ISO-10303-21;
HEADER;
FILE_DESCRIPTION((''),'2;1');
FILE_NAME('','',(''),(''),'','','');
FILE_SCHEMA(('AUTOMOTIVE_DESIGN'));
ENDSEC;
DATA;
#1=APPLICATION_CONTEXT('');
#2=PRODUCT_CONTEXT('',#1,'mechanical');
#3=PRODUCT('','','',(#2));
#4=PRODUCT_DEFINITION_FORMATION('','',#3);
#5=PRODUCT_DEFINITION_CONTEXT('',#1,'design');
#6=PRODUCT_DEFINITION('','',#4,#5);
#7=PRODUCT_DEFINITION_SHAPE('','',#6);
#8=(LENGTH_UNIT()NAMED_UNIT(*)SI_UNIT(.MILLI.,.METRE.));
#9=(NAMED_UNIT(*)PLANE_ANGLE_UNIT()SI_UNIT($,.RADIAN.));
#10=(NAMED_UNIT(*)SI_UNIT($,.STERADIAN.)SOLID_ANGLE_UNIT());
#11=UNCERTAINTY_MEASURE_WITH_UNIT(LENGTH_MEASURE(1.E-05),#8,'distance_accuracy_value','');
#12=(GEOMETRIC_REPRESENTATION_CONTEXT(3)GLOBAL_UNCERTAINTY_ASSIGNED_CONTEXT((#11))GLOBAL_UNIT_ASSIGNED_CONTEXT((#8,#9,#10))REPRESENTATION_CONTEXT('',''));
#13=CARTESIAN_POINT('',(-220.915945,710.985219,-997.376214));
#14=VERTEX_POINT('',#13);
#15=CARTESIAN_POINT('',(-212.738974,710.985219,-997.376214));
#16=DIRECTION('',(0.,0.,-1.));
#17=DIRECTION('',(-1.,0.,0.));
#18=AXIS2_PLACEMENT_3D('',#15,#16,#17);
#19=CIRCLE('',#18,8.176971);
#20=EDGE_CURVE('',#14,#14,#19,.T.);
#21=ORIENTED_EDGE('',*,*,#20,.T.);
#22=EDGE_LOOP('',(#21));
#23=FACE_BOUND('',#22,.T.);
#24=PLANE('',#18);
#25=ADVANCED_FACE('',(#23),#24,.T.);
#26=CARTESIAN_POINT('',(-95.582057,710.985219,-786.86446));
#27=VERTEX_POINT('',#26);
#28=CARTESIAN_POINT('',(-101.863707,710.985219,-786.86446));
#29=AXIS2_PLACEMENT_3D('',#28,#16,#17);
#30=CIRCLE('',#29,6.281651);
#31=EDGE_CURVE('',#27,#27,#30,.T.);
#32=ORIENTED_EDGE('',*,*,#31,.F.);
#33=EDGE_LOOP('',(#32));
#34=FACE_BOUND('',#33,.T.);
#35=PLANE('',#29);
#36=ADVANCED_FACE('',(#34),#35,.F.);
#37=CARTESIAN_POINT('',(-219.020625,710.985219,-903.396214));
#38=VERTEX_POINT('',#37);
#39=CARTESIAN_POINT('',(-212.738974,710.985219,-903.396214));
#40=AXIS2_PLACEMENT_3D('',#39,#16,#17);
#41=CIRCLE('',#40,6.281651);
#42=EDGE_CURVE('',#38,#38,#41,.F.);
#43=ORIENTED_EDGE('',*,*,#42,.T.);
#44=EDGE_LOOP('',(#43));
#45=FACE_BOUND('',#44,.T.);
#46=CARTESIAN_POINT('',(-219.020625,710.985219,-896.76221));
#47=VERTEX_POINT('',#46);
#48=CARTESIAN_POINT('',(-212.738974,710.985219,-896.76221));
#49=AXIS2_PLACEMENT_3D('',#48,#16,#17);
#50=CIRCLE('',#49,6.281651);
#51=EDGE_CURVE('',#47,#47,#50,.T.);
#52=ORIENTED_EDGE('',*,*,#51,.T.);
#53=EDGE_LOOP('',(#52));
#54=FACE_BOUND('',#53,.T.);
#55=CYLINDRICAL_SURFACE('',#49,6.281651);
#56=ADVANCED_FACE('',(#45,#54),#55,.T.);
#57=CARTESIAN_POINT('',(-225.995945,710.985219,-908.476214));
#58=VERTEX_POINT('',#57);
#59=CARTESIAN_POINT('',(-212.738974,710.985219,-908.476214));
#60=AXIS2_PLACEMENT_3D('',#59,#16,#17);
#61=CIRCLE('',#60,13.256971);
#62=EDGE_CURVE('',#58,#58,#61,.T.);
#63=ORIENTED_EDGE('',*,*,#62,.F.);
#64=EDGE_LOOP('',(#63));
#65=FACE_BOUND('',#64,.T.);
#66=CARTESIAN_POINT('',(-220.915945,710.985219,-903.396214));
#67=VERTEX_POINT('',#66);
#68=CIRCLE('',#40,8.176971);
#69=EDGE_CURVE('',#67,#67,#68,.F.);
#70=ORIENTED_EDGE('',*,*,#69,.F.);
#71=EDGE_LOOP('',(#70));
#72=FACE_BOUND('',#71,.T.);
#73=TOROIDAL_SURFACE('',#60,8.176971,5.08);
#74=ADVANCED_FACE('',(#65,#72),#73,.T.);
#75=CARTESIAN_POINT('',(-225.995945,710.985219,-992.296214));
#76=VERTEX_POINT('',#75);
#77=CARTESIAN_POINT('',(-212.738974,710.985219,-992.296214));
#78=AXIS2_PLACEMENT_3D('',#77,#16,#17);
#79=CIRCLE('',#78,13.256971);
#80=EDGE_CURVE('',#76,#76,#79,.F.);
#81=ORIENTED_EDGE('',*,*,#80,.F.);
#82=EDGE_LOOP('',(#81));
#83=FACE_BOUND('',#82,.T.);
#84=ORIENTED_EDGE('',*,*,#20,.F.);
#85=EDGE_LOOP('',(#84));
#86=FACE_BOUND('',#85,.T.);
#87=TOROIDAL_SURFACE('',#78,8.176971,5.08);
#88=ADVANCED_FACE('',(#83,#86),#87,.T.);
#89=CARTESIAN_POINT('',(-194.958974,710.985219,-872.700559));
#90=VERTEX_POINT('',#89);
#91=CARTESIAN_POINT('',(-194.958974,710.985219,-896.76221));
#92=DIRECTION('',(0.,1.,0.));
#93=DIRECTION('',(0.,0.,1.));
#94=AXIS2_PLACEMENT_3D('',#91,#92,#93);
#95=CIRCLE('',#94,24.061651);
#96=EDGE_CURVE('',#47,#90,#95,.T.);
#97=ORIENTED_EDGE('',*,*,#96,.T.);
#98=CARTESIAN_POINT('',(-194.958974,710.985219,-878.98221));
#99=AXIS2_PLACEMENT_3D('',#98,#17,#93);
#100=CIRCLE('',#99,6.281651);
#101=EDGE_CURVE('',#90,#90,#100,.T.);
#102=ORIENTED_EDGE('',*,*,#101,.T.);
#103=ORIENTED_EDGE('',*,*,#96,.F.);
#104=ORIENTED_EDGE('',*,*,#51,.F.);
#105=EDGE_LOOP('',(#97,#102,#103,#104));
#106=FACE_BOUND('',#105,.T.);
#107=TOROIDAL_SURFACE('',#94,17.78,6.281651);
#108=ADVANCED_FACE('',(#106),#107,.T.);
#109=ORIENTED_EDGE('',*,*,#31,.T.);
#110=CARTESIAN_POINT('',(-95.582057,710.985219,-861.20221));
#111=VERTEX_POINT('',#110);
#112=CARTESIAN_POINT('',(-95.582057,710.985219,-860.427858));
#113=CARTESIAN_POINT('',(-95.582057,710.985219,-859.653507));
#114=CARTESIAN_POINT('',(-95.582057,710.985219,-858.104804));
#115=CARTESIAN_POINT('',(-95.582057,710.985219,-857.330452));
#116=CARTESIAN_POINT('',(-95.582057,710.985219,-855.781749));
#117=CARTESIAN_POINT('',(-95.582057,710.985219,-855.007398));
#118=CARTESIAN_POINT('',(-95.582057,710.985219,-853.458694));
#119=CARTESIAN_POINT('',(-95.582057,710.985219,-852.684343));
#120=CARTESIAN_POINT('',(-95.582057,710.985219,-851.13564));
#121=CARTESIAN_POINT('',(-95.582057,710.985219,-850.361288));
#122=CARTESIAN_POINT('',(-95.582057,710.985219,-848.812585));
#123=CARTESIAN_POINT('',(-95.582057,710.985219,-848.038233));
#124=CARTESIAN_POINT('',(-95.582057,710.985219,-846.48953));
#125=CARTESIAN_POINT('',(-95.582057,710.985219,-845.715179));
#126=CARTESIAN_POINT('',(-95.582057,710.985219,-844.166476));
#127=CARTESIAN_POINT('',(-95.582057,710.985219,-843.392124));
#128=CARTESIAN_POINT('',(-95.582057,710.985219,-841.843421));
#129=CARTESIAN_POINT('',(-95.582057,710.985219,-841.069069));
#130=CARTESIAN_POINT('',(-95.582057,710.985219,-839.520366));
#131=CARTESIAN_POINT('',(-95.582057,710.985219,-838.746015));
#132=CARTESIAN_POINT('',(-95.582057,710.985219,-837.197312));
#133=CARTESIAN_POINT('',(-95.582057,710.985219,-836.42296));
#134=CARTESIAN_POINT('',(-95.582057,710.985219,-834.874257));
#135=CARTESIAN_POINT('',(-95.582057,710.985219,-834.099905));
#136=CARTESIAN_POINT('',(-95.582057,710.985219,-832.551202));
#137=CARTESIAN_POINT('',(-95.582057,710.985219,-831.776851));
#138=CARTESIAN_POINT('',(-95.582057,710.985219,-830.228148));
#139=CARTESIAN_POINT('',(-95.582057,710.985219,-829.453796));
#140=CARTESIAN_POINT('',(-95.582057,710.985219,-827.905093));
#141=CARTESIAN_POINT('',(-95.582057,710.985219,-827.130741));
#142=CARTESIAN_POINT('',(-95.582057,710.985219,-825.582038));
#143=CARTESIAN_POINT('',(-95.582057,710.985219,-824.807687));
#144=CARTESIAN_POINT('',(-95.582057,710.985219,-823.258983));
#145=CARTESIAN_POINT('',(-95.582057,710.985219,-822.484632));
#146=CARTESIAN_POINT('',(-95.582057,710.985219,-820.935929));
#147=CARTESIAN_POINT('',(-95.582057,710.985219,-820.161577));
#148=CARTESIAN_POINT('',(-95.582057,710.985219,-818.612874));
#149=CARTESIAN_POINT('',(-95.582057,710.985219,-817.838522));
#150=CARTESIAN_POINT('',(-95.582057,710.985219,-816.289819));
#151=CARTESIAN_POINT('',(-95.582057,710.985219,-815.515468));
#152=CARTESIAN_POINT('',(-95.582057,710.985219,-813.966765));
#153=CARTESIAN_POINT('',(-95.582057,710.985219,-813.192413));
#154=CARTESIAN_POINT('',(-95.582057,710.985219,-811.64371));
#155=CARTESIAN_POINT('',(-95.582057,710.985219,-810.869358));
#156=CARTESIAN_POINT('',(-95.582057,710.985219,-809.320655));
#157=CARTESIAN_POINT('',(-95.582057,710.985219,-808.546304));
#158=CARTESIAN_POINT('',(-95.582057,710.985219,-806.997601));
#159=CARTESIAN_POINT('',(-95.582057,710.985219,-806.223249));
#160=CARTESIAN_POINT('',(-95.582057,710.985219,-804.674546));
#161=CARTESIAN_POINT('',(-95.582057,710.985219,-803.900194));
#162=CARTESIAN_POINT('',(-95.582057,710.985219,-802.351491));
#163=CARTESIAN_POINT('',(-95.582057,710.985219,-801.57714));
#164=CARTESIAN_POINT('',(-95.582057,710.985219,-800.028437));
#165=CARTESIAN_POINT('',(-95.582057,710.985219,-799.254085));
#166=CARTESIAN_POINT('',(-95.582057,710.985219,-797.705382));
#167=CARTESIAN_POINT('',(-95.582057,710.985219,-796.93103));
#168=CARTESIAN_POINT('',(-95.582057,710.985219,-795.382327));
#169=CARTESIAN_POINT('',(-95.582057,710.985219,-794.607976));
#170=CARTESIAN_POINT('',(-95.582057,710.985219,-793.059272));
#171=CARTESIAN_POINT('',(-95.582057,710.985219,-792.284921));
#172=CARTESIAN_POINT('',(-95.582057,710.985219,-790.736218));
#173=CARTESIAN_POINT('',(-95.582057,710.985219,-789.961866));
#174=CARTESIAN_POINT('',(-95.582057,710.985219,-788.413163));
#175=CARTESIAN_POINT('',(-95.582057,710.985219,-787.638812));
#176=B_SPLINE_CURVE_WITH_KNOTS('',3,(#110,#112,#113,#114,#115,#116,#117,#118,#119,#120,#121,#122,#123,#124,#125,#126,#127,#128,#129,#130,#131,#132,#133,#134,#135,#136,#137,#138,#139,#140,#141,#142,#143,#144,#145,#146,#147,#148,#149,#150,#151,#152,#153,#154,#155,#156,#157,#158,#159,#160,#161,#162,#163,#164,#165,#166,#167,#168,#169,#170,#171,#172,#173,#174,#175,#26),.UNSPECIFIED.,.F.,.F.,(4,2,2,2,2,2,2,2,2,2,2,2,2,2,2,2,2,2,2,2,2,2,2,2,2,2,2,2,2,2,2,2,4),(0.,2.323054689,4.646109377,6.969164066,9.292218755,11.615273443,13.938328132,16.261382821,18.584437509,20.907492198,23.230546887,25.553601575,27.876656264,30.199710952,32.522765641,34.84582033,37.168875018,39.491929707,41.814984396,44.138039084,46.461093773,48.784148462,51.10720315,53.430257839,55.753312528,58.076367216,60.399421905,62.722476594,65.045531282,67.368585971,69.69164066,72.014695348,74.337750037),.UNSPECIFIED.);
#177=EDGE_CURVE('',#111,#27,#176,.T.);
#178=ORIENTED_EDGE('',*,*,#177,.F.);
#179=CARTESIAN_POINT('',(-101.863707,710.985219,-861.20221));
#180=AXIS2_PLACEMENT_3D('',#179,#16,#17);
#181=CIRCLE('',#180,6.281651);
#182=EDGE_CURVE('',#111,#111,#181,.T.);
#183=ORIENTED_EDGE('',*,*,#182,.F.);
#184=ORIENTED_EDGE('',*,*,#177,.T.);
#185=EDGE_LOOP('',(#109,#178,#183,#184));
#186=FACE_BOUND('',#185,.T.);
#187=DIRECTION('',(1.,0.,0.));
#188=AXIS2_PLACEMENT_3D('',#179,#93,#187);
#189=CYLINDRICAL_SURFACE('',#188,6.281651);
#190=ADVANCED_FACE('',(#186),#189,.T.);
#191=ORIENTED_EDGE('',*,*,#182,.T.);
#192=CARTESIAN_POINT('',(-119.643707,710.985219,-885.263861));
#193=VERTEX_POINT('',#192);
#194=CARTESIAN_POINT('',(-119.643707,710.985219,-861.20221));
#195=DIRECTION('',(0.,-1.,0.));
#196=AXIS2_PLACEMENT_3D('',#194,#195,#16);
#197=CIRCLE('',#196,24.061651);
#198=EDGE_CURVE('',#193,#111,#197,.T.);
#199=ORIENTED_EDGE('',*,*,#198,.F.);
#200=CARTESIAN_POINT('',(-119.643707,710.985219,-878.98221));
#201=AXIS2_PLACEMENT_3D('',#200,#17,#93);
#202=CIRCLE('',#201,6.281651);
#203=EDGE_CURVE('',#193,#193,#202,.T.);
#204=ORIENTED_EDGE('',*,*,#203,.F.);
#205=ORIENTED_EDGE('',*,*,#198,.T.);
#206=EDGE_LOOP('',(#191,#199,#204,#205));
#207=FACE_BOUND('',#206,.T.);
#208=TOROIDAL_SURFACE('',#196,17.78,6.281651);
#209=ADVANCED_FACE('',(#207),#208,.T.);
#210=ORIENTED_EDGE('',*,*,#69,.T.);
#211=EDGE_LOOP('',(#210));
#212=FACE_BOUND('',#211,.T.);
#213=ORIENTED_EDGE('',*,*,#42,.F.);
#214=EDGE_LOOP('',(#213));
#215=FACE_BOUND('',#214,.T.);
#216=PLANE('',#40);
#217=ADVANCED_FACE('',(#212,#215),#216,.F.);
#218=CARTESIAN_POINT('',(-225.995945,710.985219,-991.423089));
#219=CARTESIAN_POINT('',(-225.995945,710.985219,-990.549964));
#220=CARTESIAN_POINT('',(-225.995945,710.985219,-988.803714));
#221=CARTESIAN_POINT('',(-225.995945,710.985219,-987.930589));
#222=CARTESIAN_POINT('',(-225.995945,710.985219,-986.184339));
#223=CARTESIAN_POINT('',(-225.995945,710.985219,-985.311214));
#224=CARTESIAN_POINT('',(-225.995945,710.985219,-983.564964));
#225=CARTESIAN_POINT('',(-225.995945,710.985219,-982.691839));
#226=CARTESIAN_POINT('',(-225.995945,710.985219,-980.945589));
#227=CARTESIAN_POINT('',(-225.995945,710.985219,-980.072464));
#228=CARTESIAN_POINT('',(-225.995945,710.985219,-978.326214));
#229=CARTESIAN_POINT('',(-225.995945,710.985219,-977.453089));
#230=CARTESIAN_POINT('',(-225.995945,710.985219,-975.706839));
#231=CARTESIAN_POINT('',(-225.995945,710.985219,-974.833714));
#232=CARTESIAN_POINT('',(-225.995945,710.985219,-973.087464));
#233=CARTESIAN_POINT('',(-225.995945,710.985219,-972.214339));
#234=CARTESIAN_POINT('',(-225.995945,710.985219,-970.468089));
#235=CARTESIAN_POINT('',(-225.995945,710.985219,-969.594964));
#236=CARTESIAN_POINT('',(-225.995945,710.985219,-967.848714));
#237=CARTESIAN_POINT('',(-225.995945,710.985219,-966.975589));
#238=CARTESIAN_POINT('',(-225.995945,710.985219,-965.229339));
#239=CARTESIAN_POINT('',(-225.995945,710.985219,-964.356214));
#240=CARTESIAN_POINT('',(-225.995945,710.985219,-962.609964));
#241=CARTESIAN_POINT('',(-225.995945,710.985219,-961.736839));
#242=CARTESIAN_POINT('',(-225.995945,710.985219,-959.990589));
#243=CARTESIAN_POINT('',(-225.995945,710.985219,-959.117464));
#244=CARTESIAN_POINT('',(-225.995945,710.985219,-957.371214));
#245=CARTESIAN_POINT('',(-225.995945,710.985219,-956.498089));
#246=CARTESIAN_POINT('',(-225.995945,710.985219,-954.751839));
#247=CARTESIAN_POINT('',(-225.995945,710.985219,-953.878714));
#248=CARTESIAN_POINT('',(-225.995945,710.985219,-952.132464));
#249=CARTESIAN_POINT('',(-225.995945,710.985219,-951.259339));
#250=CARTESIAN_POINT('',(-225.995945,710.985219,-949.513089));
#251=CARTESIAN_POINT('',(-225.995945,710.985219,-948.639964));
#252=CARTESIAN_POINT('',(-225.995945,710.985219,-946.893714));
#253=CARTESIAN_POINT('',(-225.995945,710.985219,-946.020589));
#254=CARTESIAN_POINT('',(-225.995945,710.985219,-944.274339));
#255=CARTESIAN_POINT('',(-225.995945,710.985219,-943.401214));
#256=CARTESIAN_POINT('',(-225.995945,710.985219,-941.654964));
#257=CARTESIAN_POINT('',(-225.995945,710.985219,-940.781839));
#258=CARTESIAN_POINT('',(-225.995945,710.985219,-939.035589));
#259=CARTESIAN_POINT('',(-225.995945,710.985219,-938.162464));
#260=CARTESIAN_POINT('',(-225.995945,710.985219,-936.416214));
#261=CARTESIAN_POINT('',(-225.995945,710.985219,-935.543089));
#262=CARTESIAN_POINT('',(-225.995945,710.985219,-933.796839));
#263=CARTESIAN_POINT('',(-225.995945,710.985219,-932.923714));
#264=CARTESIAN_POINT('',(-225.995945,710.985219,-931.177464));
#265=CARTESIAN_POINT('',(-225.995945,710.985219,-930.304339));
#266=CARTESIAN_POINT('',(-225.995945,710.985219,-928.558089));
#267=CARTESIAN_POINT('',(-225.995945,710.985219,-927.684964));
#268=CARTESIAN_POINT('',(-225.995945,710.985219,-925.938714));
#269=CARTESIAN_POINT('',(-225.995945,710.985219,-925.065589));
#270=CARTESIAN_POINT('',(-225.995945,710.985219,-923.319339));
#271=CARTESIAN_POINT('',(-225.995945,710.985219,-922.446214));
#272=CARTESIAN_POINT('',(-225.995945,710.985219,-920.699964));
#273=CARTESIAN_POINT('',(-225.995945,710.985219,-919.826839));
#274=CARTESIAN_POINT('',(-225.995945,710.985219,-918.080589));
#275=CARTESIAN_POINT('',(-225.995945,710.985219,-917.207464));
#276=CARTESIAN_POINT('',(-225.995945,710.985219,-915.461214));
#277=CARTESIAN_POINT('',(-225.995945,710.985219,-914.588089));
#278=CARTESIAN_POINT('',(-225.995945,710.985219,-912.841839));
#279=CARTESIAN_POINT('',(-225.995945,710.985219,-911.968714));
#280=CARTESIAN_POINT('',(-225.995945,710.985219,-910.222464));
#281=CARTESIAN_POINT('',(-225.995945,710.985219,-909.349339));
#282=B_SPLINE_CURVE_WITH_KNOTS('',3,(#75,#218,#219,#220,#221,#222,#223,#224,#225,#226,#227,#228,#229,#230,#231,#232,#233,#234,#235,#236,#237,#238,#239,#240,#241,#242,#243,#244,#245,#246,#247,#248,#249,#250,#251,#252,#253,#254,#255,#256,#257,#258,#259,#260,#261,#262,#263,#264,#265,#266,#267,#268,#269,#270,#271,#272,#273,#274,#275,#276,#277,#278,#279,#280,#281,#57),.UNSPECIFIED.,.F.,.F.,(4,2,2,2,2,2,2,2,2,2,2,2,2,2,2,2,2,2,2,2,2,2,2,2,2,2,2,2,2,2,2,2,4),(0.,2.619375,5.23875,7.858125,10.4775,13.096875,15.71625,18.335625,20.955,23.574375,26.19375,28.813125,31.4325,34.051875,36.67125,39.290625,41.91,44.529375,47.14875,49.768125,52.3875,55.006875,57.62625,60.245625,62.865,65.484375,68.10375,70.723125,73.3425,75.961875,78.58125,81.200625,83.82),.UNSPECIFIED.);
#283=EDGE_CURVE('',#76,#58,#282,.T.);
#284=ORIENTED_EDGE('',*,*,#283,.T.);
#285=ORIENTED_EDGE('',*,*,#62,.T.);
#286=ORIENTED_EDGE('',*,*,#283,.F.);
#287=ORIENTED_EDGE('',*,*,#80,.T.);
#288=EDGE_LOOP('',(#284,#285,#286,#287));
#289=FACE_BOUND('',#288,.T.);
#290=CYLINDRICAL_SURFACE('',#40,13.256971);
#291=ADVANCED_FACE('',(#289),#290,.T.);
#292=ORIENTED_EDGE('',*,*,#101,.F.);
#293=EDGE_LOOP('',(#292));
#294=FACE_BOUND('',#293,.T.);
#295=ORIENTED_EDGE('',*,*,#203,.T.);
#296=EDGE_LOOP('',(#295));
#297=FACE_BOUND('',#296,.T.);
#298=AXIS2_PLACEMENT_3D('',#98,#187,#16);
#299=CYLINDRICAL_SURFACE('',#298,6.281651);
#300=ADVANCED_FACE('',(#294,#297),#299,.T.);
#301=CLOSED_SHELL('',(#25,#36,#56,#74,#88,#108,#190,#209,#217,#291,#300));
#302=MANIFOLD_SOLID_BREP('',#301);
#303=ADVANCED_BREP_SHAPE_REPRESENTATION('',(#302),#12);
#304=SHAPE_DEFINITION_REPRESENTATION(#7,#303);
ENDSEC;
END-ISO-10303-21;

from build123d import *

# Parameters (mm, degrees)
SKETCH2_R           = 6.281650674
SKETCH3_R           = 13.256970647
BOSS_EXTRUDE2_DEPTH = 93.98
FILLET1_R           = 5.08


with BuildPart() as part:
    # Sweep1: sweep along a curve in space
    with BuildLine() as sweep1_path:
        Line((-101.863707381, 710.985218526, -786.864459981), (-101.863707381, 710.985218526, -861.202210018))
        ThreePointArc((-101.863707381, 710.985218526, -861.202210018), (-107.071348812, 710.985218526, -873.774568588), (-119.643707381, 710.985218526, -878.982210018))
        Line((-119.643707381, 710.985218526, -878.982210018), (-194.958974291, 710.985218526, -878.982210018))
        ThreePointArc((-194.958974291, 710.985218526, -878.982210018), (-207.531332861, 710.985218526, -884.189851449), (-212.738974291, 710.985218526, -896.762210018))
        Line((-212.738974291, 710.985218526, -896.762210018), (-212.738974291, 710.985218526, -997.376214376))
    # Sketch2 → Sweep1 (sweep)
    with BuildSketch(Plane(origin=(-212.738974291, 710.985218526, -997.376214376), x_dir=(-1, 0, 0), z_dir=(0, 0, -1))):
        Circle(SKETCH2_R)
    sweep(path=sweep1_path.line)

    # Sketch3 → Boss-Extrude2 (add)
    with BuildSketch(Plane(origin=(0, 0, -997.376214376), x_dir=(-1, 0, 0), z_dir=(0, 0, -1))):
        with Locations((212.738974291, 710.985218526)):
            Circle(SKETCH3_R)
    extrude(amount=-BOSS_EXTRUDE2_DEPTH)

    # Fillet1
    fillet1_edges = [part.edges().sort_by_distance(p)[0] for p in [
        (-199.482003644, 710.985218526, -903.396214376),
        (-199.482003644, 710.985218526, -997.376214376),
    ]]
    fillet(fillet1_edges, radius=FILLET1_R)


solid = part.part
